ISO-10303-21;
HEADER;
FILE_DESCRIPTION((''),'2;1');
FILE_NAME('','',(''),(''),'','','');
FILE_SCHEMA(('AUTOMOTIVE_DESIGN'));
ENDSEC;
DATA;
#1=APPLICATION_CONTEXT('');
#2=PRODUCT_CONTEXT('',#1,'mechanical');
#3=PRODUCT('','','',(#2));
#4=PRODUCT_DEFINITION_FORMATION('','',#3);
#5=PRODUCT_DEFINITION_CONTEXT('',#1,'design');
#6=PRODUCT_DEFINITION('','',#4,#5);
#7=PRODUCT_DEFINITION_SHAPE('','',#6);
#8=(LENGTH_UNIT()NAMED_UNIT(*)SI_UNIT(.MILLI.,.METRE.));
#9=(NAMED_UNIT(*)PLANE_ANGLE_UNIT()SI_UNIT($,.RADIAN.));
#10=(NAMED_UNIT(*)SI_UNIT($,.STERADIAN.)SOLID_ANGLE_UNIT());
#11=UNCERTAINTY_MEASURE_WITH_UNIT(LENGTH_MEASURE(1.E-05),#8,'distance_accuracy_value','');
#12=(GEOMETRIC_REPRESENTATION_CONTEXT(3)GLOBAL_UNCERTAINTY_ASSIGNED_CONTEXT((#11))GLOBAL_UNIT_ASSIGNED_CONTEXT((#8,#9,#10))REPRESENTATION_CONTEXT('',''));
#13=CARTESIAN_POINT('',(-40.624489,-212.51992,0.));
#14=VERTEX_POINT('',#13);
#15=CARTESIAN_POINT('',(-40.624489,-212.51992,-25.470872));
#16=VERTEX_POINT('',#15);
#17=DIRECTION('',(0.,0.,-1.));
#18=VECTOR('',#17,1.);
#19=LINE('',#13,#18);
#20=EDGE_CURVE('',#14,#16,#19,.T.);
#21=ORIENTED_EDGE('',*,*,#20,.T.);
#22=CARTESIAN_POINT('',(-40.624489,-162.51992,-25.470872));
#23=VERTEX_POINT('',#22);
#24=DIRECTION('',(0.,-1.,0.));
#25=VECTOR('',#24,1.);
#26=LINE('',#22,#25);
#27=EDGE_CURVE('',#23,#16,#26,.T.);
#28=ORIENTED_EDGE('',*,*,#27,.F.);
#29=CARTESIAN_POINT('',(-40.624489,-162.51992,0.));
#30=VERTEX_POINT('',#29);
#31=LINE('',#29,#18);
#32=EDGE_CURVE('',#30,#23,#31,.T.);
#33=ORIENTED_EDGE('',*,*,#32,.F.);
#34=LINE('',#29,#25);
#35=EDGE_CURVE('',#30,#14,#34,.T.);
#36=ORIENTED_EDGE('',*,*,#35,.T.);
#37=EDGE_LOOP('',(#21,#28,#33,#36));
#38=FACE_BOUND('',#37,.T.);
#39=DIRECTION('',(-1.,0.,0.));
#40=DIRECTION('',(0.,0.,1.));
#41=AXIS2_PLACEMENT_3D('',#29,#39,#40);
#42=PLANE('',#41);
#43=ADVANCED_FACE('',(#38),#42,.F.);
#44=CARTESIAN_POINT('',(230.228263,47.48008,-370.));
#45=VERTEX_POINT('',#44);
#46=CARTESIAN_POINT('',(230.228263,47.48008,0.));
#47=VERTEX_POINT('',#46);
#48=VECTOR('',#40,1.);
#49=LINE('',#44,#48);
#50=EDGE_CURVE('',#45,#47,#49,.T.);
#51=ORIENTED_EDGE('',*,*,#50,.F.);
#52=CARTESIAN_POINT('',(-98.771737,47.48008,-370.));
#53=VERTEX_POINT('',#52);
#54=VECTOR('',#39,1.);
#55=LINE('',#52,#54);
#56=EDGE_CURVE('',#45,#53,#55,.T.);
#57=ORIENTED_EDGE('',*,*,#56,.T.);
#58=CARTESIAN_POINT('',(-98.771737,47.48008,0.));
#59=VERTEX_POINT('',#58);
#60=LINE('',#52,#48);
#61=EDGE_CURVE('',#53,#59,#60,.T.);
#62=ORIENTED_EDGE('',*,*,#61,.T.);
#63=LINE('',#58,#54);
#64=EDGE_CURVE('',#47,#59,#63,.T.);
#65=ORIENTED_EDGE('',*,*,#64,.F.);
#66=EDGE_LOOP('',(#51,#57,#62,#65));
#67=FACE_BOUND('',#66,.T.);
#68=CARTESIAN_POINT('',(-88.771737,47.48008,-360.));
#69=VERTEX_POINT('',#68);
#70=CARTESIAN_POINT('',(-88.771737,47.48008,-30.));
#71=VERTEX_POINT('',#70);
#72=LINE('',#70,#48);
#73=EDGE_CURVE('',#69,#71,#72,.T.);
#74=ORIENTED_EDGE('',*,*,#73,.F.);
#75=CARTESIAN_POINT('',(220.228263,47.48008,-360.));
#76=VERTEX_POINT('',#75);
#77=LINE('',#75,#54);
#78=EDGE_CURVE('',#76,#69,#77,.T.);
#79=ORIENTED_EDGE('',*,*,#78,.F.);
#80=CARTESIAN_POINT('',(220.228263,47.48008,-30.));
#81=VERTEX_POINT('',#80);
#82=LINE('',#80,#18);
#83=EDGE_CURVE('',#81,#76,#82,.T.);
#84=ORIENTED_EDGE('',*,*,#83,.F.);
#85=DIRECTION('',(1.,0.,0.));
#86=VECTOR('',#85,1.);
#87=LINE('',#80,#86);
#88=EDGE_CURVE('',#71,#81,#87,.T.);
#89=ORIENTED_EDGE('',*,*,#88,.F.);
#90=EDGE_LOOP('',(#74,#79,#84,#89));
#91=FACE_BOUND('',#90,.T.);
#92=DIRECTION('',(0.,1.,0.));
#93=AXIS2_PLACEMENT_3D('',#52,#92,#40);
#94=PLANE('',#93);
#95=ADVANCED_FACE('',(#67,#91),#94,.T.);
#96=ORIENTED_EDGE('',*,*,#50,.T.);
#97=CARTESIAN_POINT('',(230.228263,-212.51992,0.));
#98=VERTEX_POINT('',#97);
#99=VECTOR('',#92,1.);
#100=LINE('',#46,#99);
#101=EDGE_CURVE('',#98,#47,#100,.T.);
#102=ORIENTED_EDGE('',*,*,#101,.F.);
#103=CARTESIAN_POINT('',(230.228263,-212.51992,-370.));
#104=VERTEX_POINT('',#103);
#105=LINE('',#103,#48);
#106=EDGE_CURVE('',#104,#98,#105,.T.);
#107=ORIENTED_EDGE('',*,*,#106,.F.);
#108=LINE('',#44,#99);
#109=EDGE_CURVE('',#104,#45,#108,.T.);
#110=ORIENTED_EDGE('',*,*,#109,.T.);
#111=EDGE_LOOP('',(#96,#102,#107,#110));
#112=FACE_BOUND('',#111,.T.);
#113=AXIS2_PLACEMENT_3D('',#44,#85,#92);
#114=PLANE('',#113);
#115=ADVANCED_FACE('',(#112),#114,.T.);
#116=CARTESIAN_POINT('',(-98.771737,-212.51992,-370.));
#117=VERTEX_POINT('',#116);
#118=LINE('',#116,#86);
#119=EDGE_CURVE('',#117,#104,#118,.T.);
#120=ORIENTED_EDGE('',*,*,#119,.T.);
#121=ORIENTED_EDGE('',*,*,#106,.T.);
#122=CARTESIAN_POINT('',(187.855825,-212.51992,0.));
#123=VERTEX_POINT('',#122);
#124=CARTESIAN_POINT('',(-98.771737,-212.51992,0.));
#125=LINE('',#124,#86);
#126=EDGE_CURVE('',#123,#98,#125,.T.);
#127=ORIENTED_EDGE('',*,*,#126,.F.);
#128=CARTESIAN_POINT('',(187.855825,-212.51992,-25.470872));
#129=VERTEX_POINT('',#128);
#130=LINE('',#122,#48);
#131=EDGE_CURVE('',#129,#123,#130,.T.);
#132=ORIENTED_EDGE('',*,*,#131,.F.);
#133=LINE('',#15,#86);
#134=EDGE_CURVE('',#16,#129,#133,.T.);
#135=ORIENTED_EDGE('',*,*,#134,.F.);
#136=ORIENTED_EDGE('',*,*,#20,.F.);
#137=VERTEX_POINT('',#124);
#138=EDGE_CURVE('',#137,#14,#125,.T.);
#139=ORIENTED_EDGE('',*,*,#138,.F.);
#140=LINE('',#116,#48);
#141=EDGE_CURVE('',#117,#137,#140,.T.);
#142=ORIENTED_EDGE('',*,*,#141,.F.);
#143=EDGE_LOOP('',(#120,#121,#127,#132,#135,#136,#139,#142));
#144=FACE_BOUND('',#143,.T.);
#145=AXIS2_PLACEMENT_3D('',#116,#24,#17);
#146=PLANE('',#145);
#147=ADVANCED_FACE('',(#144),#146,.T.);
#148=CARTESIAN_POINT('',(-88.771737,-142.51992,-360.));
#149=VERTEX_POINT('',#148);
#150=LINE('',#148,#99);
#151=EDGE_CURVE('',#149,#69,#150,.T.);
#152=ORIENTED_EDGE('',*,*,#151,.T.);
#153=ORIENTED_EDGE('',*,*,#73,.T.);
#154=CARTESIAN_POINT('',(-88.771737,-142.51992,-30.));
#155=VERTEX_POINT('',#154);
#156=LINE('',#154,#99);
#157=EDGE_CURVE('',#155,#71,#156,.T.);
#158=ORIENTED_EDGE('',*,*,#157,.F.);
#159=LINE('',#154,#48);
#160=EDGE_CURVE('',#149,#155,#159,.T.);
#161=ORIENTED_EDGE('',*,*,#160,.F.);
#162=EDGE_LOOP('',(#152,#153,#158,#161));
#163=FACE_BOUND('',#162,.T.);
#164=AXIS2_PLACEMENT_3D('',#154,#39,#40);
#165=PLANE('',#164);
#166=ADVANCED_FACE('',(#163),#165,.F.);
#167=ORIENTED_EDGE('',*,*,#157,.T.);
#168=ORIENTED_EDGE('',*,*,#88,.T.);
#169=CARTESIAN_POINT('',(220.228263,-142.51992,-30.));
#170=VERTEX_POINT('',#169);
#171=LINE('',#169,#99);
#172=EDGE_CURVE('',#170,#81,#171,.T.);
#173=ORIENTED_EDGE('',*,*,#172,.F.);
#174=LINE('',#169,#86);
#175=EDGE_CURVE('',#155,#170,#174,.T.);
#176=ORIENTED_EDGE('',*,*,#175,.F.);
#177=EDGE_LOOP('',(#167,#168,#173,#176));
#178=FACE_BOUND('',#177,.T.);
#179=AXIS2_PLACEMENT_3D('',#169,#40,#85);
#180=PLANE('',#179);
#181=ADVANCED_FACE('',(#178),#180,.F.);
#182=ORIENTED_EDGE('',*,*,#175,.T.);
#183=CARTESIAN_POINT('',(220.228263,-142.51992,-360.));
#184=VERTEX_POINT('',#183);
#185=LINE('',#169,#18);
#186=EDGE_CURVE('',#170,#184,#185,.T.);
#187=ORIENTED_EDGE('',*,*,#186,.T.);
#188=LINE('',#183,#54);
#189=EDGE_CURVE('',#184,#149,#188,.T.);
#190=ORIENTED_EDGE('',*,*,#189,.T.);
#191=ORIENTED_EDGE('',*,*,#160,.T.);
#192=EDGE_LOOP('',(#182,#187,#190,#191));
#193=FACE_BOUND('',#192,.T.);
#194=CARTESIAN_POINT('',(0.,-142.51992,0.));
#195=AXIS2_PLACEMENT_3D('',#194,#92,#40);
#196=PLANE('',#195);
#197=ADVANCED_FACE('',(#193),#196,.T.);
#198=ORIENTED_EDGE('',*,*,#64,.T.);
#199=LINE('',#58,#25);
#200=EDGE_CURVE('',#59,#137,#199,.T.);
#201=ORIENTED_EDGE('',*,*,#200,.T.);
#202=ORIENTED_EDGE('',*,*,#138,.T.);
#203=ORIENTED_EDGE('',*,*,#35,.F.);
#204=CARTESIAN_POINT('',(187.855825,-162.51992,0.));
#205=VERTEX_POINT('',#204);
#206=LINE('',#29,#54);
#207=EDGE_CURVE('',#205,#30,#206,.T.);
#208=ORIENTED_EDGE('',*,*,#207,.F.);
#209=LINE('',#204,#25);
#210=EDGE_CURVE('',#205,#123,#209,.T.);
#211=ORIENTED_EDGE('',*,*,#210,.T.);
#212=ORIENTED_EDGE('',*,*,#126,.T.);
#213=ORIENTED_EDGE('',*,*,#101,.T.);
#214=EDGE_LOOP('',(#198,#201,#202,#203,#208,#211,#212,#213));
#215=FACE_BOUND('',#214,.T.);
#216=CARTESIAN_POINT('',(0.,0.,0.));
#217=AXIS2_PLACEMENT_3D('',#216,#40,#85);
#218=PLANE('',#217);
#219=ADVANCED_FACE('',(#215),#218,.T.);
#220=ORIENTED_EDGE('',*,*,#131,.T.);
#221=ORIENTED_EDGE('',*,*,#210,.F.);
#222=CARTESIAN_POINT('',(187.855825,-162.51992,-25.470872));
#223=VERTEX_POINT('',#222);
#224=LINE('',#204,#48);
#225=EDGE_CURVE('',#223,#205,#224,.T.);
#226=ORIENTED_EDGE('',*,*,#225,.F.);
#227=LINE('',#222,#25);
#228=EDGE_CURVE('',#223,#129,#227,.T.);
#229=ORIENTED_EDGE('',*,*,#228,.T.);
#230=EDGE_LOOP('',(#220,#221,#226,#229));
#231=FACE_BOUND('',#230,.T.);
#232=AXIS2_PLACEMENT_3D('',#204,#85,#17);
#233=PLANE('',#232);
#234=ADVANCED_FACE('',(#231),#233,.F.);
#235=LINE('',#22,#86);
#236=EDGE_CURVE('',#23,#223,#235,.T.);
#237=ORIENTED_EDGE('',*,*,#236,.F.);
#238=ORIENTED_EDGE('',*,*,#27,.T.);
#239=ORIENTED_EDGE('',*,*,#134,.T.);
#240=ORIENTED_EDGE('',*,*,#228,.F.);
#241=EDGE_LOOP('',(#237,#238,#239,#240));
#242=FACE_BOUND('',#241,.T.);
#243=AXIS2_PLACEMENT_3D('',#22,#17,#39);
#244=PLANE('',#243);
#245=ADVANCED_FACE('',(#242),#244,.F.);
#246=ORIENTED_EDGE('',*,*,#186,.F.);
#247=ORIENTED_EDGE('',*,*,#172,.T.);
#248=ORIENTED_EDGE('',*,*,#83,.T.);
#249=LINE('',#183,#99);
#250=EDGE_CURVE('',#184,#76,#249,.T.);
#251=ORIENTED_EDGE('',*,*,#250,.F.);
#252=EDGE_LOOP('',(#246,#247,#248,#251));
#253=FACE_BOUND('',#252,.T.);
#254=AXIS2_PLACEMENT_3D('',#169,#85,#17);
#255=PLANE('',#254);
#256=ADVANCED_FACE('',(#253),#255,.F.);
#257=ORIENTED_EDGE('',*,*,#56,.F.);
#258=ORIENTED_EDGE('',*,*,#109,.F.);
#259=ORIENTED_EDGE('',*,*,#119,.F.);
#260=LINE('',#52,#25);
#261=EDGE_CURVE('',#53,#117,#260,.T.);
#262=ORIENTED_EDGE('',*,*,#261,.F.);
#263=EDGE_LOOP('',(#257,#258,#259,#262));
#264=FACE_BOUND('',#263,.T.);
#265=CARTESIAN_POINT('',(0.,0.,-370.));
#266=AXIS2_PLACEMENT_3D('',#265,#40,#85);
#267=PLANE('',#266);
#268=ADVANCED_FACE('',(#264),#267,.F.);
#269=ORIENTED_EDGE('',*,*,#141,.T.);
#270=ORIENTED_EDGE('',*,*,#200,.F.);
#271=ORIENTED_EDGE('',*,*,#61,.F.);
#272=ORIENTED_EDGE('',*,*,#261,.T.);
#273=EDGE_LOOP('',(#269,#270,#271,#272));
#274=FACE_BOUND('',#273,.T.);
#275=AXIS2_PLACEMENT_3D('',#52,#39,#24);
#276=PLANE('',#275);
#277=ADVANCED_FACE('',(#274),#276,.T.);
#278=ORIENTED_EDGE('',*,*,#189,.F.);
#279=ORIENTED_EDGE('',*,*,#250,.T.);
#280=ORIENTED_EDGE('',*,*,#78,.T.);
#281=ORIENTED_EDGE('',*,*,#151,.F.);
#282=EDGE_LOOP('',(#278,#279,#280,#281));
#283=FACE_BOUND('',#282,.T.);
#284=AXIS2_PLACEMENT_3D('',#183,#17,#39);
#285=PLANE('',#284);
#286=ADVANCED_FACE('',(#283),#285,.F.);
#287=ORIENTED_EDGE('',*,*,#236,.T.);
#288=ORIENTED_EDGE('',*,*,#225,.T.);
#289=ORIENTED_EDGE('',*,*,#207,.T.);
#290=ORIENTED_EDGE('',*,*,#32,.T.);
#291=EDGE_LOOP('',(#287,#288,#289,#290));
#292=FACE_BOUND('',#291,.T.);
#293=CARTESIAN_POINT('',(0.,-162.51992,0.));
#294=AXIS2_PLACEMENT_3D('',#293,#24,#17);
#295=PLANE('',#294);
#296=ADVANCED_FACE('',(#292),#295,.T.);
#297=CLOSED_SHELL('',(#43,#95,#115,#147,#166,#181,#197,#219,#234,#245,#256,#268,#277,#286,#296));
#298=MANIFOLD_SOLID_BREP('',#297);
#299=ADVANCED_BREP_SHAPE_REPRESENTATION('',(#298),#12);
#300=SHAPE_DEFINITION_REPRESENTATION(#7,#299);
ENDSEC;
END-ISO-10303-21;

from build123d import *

# Parameters (mm, degrees)
ESQUISSE1_W             = 329
ESQUISSE1_H             = 260
BOSS_EXTRU_1_DEPTH      = 370
ESQUISSE2_W             = 309
ESQUISSE2_H             = 330
ENL_V_MAT_EXTRU_1_DEPTH = 190
ESQUISSE11_W            = 228.480314258
ESQUISSE11_H            = 25.470871893
ENL_V_MAT_EXTRU_9_DEPTH = 50


with BuildPart() as part:
    # Esquisse1 → Boss.-Extru.1 (new body)
    with BuildSketch(Plane.XY):
        with Locations((65.728262625, -82.519920319)):
            Rectangle(ESQUISSE1_W, ESQUISSE1_H)
    extrude(amount=-BOSS_EXTRU_1_DEPTH)

    # Esquisse2 → Enlèv. mat.-Extru.1 (cut)
    with BuildSketch(Plane(origin=(0, 47.480079681, 0), x_dir=(1, 0, 0), z_dir=(0, 1, 0))):
        with Locations((65.728262625, 195)):
            Rectangle(ESQUISSE2_W, ESQUISSE2_H)
    extrude(amount=-ENL_V_MAT_EXTRU_1_DEPTH, mode=Mode.SUBTRACT)

    # Esquisse11 → Enlèv. mat.-Extru.9 (cut)
    with BuildSketch(Plane(origin=(0, -212.519920319, 0), x_dir=(-1, 0, 0), z_dir=(0, -1, 0))):
        with Locations((-73.615667683, 12.735435947)):
            Rectangle(ESQUISSE11_W, ESQUISSE11_H)
    extrude(amount=-ENL_V_MAT_EXTRU_9_DEPTH, mode=Mode.SUBTRACT)


solid = part.part
